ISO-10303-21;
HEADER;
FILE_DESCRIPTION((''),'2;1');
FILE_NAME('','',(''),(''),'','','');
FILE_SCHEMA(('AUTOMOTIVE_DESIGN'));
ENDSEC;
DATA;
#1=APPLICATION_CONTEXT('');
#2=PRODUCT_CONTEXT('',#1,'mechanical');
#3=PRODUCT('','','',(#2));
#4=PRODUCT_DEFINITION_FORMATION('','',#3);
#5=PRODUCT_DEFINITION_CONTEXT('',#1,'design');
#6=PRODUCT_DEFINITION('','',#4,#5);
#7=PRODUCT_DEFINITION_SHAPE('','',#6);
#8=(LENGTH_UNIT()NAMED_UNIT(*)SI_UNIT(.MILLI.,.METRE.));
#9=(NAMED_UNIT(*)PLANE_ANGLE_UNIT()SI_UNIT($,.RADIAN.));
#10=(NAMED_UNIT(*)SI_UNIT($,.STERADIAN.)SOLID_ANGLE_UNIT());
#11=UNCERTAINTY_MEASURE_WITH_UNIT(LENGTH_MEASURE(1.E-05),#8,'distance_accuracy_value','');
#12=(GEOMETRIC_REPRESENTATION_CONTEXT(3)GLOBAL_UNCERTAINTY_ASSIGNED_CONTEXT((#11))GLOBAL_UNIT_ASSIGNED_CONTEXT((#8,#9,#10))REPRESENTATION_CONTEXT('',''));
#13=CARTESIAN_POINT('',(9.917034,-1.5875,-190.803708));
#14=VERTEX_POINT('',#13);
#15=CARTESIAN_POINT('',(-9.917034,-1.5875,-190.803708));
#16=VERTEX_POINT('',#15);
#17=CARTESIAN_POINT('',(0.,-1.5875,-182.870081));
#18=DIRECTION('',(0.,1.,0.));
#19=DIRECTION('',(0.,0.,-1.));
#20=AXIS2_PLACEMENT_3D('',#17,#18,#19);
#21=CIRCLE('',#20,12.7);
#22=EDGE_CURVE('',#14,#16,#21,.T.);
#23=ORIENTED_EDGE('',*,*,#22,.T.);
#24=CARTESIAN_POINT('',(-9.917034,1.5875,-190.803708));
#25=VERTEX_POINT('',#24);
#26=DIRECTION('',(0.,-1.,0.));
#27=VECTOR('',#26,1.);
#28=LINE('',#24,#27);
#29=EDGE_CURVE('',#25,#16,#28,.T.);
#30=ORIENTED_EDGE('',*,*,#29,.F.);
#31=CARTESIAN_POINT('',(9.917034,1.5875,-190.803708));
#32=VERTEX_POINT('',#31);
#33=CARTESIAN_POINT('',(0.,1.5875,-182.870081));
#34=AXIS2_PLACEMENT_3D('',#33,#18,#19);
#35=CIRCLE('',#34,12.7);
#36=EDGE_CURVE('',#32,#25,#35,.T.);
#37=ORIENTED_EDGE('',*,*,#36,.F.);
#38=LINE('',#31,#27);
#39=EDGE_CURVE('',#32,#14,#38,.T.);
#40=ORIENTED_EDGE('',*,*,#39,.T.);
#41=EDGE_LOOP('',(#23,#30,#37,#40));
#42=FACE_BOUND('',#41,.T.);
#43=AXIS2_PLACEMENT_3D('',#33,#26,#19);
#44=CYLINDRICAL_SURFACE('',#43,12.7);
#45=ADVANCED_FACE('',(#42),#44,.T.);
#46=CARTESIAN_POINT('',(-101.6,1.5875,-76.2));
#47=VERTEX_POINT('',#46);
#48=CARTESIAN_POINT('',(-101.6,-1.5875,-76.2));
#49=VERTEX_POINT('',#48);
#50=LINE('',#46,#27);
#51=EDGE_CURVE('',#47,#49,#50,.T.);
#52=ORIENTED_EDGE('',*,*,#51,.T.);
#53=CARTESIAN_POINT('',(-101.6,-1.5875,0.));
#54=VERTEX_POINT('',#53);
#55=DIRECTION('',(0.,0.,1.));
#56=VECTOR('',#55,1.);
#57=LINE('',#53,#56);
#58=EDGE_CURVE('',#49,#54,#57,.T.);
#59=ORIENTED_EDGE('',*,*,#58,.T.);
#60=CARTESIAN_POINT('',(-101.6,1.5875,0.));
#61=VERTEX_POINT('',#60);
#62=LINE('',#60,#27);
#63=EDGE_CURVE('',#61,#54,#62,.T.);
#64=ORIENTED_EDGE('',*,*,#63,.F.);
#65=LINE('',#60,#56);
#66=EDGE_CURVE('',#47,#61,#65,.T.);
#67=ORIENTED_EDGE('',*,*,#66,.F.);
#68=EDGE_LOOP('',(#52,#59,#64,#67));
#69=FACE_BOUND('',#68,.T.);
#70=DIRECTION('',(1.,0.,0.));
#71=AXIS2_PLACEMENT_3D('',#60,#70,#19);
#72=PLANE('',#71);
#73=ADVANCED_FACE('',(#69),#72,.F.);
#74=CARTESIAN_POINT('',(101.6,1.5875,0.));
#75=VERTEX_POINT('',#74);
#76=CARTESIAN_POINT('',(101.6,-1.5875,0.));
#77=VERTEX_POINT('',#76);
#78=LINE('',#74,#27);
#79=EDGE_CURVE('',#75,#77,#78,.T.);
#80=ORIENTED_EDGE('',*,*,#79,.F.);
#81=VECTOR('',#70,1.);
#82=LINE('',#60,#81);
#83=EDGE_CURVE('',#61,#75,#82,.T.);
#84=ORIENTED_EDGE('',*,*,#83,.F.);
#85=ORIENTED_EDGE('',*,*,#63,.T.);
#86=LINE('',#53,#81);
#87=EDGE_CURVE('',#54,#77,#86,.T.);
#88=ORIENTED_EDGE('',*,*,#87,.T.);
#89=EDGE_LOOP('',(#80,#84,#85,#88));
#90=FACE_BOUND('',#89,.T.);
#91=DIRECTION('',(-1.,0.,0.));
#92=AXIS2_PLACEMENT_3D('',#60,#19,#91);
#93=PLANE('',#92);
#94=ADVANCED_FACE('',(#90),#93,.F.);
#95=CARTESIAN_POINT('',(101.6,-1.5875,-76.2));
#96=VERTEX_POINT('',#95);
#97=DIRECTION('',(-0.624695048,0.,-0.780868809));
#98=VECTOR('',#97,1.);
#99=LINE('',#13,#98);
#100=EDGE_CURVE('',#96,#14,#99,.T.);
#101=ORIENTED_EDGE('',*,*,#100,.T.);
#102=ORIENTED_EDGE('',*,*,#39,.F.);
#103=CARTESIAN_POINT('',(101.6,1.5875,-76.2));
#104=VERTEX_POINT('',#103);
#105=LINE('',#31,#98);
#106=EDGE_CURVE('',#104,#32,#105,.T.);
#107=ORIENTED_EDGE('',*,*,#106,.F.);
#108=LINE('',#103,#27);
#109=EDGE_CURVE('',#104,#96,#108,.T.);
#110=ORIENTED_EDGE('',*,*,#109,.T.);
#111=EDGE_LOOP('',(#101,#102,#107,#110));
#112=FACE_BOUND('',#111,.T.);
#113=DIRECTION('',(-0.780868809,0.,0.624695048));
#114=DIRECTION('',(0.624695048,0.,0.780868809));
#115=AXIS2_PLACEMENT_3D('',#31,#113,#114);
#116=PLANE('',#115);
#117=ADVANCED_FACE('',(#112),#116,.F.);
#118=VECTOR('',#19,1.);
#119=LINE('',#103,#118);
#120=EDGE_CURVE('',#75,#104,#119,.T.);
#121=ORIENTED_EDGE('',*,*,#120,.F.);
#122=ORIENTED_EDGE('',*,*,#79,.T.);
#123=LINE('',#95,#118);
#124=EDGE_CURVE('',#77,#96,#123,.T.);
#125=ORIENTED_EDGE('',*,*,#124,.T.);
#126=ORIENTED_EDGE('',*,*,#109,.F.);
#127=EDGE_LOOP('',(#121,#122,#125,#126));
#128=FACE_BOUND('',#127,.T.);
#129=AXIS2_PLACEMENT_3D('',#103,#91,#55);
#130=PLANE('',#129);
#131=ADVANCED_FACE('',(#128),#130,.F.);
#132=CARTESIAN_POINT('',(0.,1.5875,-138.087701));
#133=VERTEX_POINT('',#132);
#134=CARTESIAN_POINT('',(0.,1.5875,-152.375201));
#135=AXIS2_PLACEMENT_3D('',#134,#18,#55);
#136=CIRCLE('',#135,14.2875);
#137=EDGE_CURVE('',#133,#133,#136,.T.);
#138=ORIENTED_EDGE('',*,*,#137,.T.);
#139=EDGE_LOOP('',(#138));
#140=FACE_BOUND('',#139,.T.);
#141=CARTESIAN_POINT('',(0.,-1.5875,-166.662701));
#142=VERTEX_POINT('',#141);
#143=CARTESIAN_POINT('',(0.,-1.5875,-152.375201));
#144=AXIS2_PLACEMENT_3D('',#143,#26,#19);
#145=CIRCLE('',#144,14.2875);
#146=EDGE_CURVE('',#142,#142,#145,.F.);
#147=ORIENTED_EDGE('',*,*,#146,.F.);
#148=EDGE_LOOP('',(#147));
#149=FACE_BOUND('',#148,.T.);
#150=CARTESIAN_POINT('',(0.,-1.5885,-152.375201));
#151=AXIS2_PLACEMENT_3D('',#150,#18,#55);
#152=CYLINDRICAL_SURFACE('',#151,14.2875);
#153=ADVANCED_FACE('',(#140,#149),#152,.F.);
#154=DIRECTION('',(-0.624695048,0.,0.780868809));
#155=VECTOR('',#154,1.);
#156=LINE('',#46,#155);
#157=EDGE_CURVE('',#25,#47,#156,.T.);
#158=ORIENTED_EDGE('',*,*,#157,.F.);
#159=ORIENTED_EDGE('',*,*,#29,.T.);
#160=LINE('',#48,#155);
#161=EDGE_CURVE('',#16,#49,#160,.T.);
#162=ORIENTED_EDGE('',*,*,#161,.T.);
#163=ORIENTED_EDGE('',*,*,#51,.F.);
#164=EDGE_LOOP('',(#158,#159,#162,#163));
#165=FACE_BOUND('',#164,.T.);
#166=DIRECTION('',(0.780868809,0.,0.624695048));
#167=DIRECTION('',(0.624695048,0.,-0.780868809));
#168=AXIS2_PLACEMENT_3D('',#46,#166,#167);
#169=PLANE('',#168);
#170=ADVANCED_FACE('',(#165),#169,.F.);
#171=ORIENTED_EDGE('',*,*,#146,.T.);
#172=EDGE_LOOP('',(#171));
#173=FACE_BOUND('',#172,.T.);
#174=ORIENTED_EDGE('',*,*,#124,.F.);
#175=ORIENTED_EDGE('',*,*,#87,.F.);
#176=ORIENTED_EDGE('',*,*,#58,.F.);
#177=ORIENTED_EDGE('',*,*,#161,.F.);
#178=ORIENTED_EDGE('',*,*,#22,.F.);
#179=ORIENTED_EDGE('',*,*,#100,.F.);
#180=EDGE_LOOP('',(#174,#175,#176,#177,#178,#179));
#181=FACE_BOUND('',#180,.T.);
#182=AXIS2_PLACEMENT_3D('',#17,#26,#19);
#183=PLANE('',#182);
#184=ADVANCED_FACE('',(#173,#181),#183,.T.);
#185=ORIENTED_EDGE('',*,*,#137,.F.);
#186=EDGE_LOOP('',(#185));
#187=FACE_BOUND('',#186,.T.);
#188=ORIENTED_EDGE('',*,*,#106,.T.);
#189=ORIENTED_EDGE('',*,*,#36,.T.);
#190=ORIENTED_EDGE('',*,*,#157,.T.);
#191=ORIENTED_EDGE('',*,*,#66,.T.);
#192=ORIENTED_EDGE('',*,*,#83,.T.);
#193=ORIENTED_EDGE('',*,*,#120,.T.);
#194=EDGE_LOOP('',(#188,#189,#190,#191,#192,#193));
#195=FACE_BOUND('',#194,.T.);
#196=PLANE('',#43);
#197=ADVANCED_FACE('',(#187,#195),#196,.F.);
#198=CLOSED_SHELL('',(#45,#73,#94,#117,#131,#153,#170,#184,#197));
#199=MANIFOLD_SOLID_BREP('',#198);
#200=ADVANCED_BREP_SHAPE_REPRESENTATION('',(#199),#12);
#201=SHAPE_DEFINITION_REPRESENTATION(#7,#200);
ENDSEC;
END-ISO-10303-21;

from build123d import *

# Parameters (mm, degrees)
BOSS_EXTRUDE1_DEPTH = 1.5875
CUT_EXTRUDE1_REACH  = 222.409
SKETCH3_R           = 14.2875


with BuildPart() as part:
    # Sketch2 → Boss-Extrude1 (new, symmetric)
    with BuildSketch(Plane(origin=(0, 0, 0), x_dir=(1, 0, 0), z_dir=(0, 1, 0))):
        with BuildLine():
            Line((-101.6, 0), (101.6, 0))
            Line((101.6, 0), (101.6, 76.2))
            Line((101.6, 76.2), (9.91703388, 190.80370765))
            ThreePointArc((9.91703388, 190.80370765), (0, 195.570080546), (-9.91703388, 190.80370765))
            Line((-9.91703388, 190.80370765), (-101.6, 76.2))
            Line((-101.6, 76.2), (-101.6, 0))
        make_face()
    extrude(amount=BOSS_EXTRUDE1_DEPTH, both=True)

    # Sketch3 → Cut-Extrude1 (cut, up to next)
    with BuildSketch(Plane(origin=(0, 1.5875, 0), x_dir=(1, 0, 0), z_dir=(0, 1, 0)), mode=Mode.PRIVATE) as cut_extrude1_sk1:
        with Locations(Location((0, 152.375201365, 0), (0, 0, 270))):
            Circle(SKETCH3_R)
    cut_extrude1_tool1 = extrude(cut_extrude1_sk1.sketch, amount=-CUT_EXTRUDE1_REACH, mode=Mode.PRIVATE) & part.part
    add(cut_extrude1_tool1.solids().sort_by_distance((0, 1.5875, -152.375201))[0], mode=Mode.SUBTRACT)


solid = part.part
